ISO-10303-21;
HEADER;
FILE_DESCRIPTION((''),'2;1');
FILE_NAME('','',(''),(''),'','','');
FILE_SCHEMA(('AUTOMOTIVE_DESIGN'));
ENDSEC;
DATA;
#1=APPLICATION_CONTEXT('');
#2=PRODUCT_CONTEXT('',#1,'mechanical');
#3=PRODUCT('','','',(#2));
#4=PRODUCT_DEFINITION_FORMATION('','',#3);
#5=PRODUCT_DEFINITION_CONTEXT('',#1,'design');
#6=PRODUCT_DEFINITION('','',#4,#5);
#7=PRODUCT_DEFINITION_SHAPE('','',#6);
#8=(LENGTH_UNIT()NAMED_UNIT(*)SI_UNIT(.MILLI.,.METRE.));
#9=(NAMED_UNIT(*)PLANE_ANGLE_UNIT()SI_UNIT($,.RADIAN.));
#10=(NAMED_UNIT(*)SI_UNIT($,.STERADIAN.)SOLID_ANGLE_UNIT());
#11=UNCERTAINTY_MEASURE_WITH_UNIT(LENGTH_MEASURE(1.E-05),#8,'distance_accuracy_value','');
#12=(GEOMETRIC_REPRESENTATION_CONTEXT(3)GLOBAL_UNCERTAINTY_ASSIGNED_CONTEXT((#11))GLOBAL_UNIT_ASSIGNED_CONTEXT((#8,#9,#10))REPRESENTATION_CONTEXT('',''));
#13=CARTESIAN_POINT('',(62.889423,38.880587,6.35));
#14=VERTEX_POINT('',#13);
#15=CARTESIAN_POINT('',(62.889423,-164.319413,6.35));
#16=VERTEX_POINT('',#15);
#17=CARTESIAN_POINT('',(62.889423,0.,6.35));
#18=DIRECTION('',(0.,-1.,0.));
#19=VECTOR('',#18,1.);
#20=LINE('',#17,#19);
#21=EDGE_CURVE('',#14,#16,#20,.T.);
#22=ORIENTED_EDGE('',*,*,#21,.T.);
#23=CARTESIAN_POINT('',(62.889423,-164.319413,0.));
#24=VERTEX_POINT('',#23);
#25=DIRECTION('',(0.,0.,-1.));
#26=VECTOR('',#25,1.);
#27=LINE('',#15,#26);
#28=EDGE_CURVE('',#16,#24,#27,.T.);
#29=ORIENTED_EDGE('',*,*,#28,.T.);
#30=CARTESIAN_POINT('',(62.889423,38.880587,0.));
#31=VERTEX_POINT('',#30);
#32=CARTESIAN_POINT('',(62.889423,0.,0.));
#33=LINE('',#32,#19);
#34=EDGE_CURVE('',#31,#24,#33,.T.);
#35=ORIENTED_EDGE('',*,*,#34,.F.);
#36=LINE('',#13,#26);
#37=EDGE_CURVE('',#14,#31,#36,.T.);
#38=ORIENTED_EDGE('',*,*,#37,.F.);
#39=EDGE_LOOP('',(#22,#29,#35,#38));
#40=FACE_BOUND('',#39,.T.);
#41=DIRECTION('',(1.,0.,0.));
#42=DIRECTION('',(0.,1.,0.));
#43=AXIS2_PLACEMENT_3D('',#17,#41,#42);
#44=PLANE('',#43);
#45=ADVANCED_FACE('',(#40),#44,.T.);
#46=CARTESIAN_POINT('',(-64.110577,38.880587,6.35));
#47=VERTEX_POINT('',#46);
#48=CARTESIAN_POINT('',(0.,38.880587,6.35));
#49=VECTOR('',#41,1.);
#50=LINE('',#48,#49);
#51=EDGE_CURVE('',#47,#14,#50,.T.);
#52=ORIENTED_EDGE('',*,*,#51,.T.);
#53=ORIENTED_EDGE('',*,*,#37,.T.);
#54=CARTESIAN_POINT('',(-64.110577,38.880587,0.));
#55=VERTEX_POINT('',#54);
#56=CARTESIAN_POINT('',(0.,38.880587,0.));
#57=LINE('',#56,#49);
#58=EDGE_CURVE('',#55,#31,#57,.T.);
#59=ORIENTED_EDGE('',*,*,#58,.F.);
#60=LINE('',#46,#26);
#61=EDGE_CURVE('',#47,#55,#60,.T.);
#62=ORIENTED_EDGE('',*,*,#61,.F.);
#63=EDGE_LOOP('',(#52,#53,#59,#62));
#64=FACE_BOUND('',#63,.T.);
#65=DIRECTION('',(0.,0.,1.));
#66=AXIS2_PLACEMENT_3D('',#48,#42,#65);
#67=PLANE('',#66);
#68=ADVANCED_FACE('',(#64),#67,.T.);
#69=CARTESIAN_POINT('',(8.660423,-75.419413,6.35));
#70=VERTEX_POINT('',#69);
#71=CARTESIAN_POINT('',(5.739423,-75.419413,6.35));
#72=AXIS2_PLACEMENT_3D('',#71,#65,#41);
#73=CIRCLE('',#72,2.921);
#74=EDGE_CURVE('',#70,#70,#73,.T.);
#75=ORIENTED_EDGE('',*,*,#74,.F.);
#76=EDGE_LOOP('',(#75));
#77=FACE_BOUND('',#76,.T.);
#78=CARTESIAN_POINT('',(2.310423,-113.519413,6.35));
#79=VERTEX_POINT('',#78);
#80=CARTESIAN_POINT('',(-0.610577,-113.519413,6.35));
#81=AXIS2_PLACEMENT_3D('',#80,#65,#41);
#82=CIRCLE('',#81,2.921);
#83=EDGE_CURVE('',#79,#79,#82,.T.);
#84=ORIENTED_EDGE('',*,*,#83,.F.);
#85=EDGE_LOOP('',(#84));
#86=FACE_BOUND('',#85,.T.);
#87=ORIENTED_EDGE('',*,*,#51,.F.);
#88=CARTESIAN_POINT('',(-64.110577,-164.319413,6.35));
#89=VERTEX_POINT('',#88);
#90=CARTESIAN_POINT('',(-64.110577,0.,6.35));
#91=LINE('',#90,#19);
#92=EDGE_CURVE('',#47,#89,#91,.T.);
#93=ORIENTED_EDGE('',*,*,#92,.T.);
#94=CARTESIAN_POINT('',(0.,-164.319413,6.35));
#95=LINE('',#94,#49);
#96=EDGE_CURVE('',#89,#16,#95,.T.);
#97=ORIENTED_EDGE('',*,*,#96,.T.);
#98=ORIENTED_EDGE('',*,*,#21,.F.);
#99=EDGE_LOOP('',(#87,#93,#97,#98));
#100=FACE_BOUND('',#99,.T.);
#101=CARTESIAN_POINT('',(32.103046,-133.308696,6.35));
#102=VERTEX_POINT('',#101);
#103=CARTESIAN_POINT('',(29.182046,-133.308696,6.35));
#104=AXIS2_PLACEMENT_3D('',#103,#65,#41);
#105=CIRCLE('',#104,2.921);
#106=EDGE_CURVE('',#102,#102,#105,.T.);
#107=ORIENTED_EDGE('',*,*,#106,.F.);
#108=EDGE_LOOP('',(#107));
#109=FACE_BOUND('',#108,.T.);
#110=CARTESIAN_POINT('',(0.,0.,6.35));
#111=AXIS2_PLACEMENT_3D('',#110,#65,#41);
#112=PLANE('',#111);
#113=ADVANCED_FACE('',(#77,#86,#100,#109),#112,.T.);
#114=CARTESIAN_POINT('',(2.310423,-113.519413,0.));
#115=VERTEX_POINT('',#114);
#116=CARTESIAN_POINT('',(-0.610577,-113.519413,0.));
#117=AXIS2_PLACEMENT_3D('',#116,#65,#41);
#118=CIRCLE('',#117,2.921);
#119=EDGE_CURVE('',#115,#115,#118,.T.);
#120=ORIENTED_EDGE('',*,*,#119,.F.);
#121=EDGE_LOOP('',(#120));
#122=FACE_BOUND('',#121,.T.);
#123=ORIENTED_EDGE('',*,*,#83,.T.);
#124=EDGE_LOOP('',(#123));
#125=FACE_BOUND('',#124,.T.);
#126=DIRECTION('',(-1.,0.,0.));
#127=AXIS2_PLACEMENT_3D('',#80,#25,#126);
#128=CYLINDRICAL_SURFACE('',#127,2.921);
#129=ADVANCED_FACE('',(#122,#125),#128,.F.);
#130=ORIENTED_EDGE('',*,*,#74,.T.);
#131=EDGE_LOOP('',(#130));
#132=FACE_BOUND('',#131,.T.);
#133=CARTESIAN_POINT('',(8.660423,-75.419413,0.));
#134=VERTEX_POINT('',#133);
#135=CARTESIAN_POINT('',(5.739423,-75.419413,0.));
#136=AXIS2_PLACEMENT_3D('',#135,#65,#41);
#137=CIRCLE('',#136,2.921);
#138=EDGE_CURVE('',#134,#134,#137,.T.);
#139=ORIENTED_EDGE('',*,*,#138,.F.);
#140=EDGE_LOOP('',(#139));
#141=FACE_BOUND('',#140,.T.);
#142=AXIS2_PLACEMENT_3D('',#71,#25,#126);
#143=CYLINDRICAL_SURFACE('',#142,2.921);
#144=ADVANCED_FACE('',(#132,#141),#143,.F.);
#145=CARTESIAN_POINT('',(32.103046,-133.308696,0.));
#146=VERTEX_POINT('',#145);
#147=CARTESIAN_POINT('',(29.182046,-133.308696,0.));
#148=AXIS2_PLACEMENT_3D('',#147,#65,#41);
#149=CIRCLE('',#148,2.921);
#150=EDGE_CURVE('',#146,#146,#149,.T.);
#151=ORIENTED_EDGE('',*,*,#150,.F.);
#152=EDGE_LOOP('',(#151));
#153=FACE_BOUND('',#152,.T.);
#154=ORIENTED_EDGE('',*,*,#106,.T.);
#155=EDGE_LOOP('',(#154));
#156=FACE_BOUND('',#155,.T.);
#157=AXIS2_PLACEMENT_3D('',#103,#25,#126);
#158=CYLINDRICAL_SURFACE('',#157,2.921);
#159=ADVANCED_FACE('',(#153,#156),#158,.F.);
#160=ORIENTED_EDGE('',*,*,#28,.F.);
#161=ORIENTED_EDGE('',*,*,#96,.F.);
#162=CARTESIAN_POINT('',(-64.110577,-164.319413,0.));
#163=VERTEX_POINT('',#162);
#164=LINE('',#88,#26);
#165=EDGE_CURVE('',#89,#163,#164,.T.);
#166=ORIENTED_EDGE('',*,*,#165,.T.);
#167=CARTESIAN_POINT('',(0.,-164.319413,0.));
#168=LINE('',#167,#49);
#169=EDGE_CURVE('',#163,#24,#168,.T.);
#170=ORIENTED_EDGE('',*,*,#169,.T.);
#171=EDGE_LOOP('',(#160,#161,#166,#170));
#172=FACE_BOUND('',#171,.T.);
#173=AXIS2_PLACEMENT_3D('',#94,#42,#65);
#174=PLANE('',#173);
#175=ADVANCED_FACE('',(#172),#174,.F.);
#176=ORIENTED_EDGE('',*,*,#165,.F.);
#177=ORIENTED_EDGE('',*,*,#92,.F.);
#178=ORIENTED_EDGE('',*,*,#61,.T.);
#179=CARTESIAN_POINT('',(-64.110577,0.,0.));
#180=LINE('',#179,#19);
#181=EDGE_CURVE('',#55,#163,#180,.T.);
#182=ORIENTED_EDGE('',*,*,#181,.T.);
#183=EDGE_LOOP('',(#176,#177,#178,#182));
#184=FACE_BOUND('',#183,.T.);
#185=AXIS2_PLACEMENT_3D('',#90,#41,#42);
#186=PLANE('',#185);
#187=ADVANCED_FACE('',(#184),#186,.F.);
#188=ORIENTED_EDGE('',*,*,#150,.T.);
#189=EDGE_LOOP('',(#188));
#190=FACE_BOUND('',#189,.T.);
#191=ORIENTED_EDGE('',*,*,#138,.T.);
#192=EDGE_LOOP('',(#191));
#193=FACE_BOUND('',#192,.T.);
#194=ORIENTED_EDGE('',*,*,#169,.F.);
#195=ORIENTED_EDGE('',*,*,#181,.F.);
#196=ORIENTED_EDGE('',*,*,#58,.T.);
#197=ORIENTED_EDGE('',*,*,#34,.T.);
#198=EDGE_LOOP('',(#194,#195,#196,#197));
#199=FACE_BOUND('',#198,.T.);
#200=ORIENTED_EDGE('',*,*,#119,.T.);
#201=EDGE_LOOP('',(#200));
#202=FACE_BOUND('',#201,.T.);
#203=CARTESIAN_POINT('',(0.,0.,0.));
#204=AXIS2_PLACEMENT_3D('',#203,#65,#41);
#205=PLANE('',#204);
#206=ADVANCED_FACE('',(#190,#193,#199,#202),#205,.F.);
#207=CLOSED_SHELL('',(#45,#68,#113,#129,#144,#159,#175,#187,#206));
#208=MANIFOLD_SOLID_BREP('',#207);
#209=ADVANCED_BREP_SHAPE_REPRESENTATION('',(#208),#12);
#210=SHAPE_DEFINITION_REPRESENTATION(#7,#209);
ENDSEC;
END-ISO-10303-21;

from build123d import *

# Parameters (mm, degrees)
SKETCH1_W           = 127
SKETCH1_H           = 203.2
SKETCH1_R           = 2.921
BOSS_EXTRUDE2_DEPTH = 6.35


with BuildPart() as part:
    # Sketch1 → Boss-Extrude2 (new body)
    with BuildSketch(Plane.XY):
        with Locations((-0.610576923, -62.719413384)):
            Rectangle(SKETCH1_W, SKETCH1_H)
        with Locations((-0.610576923, -113.519413384)):
            Circle(SKETCH1_R, mode=Mode.SUBTRACT)
        with Locations((29.182045889, -133.30869589)):
            Circle(SKETCH1_R, mode=Mode.SUBTRACT)
        with Locations((5.739423077, -75.419413384)):
            Circle(SKETCH1_R, mode=Mode.SUBTRACT)
    extrude(amount=BOSS_EXTRUDE2_DEPTH)


solid = part.part
